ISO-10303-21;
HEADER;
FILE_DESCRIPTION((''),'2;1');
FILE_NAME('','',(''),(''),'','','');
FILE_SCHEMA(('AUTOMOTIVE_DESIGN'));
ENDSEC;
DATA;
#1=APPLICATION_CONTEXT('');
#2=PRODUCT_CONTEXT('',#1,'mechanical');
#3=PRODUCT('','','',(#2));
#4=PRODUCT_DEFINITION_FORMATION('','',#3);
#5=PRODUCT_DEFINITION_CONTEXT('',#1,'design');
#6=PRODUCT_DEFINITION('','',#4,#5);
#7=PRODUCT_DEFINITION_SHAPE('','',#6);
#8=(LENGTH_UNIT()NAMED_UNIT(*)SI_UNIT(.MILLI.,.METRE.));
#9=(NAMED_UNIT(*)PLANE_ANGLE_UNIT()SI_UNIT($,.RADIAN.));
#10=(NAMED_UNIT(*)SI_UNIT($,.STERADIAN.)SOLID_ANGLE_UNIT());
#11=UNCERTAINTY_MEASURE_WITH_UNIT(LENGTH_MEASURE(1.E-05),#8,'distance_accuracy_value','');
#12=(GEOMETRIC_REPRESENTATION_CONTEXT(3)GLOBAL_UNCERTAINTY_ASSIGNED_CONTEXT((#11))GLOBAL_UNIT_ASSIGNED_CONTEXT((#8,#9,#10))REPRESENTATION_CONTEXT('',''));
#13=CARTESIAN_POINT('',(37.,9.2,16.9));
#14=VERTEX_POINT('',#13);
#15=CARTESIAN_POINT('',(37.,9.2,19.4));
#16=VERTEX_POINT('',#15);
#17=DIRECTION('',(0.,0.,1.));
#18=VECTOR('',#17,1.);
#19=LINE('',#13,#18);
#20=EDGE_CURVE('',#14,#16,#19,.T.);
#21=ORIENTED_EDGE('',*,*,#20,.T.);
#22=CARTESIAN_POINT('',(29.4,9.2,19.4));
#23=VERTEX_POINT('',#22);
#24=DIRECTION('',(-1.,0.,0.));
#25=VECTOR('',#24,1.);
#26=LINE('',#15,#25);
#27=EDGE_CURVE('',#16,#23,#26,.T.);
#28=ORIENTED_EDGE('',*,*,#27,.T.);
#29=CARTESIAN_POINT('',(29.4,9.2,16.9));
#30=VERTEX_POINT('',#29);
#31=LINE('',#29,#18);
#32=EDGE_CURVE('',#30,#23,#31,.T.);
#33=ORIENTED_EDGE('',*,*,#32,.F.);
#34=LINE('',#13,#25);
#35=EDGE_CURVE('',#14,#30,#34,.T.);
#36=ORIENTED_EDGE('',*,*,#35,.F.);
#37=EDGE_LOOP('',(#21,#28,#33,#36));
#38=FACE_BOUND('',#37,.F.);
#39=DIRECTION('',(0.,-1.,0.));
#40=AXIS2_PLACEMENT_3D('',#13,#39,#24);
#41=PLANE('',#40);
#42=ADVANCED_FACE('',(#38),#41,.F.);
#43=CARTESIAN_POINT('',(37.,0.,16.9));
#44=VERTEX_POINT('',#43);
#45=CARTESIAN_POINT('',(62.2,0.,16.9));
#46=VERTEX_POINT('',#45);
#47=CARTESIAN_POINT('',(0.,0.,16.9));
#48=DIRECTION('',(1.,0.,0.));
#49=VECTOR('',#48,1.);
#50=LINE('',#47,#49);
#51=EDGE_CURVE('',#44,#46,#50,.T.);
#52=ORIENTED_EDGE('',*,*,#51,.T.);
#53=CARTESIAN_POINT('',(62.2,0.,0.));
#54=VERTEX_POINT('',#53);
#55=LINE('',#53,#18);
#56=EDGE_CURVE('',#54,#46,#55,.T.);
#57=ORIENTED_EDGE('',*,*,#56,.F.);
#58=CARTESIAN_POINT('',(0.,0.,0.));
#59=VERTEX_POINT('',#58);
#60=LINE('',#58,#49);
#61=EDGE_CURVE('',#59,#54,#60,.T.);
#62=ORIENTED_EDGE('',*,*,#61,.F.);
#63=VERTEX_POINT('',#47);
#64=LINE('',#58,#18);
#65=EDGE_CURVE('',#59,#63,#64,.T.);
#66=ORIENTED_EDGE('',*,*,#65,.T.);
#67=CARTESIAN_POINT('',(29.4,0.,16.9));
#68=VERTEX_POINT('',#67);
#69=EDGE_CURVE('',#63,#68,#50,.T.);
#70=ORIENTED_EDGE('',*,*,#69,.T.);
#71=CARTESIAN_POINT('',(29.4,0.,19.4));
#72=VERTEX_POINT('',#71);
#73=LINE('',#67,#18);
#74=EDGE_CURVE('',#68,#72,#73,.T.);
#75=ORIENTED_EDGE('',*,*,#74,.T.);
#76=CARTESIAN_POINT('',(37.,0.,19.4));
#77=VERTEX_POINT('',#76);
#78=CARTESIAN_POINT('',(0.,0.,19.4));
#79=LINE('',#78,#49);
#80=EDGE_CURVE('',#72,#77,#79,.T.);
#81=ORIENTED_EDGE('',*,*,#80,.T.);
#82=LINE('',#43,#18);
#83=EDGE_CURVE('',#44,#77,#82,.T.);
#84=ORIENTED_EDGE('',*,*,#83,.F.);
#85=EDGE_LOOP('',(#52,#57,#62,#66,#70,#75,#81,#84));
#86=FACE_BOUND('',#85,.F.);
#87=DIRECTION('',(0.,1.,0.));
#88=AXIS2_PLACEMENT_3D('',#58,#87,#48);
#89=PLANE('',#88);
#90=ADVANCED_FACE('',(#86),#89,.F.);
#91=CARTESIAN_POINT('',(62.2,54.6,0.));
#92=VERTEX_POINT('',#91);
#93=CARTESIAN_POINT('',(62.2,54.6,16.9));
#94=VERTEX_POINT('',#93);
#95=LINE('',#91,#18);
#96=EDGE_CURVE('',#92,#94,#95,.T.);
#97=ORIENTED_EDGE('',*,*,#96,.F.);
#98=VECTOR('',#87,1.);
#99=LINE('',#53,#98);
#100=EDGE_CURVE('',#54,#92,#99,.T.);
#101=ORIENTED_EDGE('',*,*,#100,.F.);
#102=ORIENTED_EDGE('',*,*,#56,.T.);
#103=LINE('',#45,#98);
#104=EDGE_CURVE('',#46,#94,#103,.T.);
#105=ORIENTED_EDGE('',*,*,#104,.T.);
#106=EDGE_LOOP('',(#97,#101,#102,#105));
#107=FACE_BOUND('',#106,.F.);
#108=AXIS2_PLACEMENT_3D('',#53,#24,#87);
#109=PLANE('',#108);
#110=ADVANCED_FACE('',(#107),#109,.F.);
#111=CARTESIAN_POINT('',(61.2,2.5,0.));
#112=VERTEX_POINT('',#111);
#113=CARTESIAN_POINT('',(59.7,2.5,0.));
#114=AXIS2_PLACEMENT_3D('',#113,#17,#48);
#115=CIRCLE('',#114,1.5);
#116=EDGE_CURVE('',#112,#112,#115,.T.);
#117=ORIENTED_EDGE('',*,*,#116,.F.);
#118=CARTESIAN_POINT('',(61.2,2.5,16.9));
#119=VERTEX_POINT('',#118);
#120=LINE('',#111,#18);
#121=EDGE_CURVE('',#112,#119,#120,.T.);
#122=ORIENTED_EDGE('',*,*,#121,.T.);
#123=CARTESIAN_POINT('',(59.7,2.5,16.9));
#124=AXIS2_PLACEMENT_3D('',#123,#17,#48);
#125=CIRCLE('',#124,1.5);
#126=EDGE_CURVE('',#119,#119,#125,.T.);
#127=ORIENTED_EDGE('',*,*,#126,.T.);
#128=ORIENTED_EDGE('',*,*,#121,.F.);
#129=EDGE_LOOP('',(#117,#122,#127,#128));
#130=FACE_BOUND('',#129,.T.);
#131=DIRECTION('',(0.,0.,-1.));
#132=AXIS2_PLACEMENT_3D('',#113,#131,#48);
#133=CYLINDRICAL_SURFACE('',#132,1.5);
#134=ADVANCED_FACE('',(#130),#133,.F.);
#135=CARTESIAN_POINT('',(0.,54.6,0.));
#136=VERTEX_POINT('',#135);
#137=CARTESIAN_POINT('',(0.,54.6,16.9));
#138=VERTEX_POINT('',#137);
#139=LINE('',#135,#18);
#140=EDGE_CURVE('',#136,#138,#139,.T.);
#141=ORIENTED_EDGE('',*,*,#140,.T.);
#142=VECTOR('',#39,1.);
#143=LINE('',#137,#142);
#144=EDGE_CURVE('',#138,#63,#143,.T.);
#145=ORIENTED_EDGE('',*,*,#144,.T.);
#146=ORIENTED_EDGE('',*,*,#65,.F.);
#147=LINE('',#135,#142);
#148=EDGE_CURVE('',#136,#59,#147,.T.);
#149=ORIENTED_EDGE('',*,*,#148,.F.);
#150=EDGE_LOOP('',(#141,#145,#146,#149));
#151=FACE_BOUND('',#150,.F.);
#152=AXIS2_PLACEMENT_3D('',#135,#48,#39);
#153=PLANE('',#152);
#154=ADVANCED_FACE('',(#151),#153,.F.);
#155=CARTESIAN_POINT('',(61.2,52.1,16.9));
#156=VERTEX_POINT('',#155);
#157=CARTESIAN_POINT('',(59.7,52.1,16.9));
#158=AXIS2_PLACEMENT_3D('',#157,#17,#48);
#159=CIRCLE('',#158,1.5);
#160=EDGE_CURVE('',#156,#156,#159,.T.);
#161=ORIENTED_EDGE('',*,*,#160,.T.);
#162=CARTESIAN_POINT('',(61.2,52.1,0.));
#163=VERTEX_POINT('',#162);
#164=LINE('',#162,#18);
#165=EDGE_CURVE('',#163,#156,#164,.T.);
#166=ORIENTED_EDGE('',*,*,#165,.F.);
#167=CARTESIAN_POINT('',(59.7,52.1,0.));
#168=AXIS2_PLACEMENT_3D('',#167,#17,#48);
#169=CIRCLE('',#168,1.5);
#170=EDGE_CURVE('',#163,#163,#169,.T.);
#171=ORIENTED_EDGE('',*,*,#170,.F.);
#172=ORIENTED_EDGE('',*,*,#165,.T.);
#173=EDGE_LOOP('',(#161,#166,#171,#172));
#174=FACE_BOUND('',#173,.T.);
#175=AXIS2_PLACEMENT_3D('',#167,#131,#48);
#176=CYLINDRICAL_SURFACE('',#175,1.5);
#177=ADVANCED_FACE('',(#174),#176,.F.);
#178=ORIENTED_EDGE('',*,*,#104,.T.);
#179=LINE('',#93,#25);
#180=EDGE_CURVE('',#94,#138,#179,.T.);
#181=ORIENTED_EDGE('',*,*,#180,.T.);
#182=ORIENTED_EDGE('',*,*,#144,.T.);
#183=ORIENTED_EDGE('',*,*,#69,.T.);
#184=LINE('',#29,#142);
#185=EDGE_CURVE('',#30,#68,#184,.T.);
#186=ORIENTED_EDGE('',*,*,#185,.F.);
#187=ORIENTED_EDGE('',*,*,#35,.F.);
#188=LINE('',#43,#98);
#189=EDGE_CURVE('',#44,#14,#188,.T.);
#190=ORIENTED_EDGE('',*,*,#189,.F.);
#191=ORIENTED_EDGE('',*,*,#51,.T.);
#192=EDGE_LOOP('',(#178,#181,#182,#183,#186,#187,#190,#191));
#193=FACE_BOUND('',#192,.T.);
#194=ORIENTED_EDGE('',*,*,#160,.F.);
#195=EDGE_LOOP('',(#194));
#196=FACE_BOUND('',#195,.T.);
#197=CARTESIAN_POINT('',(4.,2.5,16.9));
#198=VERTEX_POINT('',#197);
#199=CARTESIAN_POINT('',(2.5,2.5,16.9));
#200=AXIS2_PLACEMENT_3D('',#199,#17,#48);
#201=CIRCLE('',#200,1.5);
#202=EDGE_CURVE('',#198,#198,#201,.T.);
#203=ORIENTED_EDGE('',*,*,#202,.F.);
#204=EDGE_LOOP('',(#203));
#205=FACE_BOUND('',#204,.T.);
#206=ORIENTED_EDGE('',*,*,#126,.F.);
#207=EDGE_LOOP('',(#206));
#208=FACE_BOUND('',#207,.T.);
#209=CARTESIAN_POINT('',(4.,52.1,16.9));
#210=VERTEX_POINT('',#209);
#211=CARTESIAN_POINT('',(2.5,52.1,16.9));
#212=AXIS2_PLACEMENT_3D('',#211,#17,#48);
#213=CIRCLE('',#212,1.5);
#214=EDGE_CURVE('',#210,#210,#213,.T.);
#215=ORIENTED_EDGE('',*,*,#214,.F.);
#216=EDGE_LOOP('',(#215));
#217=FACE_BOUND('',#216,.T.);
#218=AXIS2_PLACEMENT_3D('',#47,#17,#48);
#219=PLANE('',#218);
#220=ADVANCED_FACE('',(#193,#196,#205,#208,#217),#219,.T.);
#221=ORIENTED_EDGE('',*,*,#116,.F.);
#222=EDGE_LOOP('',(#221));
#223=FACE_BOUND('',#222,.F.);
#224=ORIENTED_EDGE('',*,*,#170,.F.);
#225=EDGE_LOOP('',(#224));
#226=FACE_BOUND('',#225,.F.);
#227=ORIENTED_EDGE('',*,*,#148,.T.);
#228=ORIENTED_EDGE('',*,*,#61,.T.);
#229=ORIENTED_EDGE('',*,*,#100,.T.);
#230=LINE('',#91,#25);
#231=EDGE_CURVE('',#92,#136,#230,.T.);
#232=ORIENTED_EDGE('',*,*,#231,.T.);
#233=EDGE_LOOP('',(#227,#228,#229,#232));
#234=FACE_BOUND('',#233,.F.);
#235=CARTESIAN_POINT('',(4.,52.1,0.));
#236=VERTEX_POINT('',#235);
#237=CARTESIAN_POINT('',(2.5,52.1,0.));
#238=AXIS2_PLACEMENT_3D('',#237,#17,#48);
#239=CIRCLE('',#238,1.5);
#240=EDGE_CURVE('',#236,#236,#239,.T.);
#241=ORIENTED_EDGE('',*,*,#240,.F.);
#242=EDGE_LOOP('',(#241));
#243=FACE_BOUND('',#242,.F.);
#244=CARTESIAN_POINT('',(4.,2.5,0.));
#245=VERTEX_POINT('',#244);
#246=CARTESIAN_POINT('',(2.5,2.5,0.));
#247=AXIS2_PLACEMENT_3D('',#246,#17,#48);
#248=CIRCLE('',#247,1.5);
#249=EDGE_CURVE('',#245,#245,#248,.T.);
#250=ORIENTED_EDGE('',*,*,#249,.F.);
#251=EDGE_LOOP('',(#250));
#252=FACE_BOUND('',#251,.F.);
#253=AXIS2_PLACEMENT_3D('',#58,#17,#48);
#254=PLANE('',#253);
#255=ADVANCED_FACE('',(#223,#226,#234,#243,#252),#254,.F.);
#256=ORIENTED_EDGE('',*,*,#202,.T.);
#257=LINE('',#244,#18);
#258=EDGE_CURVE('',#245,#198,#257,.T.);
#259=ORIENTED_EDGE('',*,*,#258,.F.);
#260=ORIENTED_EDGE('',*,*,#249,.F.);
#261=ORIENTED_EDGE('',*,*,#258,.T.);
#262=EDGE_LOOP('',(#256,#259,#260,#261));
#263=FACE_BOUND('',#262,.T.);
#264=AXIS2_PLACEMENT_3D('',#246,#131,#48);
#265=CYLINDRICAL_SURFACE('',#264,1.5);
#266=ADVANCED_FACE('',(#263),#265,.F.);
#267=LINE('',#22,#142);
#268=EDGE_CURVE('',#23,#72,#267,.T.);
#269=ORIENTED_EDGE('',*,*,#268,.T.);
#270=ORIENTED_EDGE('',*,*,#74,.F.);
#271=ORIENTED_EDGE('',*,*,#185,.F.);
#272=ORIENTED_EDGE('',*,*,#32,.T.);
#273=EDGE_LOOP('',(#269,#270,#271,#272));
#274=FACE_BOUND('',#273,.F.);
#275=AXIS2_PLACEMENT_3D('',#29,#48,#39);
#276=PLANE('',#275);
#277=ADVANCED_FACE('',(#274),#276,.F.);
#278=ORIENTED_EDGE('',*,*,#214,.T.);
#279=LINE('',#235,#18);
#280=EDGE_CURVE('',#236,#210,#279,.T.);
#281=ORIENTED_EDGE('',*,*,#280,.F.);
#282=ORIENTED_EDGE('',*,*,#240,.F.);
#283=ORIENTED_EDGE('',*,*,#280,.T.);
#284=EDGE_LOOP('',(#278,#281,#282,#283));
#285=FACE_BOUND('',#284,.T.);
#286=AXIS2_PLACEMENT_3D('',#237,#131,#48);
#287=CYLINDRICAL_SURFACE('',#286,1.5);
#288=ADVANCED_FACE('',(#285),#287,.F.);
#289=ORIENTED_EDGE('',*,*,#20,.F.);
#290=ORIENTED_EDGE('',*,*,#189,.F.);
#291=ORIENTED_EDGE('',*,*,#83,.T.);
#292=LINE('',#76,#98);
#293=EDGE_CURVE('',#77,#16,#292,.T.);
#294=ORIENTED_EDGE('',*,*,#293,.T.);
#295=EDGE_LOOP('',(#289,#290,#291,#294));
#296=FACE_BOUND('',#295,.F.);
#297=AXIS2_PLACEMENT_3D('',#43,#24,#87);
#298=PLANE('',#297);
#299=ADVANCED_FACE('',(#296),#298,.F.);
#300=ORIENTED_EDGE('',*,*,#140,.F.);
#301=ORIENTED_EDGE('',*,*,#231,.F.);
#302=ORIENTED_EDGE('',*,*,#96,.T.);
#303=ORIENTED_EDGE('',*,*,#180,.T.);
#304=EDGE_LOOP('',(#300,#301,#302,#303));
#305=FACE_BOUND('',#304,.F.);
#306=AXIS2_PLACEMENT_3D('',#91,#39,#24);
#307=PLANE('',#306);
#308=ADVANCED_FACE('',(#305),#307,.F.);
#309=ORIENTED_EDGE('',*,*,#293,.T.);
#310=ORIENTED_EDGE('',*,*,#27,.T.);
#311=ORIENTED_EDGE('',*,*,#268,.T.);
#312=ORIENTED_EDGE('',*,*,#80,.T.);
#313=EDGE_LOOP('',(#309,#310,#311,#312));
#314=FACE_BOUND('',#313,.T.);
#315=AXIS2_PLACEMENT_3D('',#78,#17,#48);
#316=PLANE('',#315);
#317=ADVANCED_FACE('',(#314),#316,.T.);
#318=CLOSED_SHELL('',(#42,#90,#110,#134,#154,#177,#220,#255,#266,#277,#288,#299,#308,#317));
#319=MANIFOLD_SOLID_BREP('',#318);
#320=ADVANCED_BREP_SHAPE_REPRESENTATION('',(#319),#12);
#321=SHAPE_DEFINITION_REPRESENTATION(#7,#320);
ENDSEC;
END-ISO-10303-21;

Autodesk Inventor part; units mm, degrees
ref_plane "YZ Plane" through (0, 0, 0) normal (1, 0, 0) x (0, 1, 0)
ref_plane "XZ Plane" through (0, 0, 0) normal (0, 1, 0) x (-1, 0, 0)
ref_plane "XY Plane" through (0, 0, 0) normal (0, 0, 1) x (1, 0, 0)
sketch "Sketch1" plane through (0, 0, 0) normal (0, 0, 1) x (1, 0, 0)
  line L0 (0, 0) -> (62.2, 0)
  line L1 (62.2, 0) -> (62.2, 54.6)
  line L2 (62.2, 54.6) -> (0, 54.6)
  line L3 (0, 54.6) -> (0, 0)
  line L4 (1, 54.6) -> (1, 0) construction
  line L5 (0, 1) -> (62.2, 1) construction
  line L6 (61.2, 0) -> (61.2, 54.6) construction
  line L7 (0, 53.6) -> (62.2, 53.6) construction
  circle A0 centre (2.5, 52.1) radius 1.5
  circle A1 centre (59.7, 52.1) radius 1.5
  circle A2 centre (2.5, 2.5) radius 1.5
  circle A3 centre (59.7, 2.5) radius 1.5
  point P0 (33.2, 0)
  dimension "d0" = 62.2
  dimension "d1" = 54.6
  dimension "d2" = 29
  dimension "d3" = 1
  dimension "d4" = 1
  dimension "d5" = 1
  dimension "d6" = 1
  dimension "d7" = 3
extrude "Extrusion1" add sketch "Sketch1" along normal blind 16.9
ref_plane "Work Plane1" through (0, 0, 16.9) normal (0, 0, 1) x (1, 0, 0)
sketch "Sketch2" plane through (0, 0, 16.9) normal (0, 0, 1) x (1, 0, 0)
  line L0 (0, 0) -> (62.2, 0) projected
  line L1 (29.4, 0) -> (37, 0)
  line L2 (37, 0) -> (37, 9.2)
  line L3 (37, 9.2) -> (29.4, 9.2)
  line L4 (29.4, 9.2) -> (29.4, 0)
  point P0 (33.2, 0)
  dimension "d11" = 29
  dimension "d12" = 7.6
  dimension "d13" = 9.2
extrude "Extrusion2" add sketch "Sketch2" along normal blind 2.5
equation "\"d4\" = d3"
equation "\"d5\" = d3"
equation "\"d6\" = d3"
properties part number "board_rev0"
